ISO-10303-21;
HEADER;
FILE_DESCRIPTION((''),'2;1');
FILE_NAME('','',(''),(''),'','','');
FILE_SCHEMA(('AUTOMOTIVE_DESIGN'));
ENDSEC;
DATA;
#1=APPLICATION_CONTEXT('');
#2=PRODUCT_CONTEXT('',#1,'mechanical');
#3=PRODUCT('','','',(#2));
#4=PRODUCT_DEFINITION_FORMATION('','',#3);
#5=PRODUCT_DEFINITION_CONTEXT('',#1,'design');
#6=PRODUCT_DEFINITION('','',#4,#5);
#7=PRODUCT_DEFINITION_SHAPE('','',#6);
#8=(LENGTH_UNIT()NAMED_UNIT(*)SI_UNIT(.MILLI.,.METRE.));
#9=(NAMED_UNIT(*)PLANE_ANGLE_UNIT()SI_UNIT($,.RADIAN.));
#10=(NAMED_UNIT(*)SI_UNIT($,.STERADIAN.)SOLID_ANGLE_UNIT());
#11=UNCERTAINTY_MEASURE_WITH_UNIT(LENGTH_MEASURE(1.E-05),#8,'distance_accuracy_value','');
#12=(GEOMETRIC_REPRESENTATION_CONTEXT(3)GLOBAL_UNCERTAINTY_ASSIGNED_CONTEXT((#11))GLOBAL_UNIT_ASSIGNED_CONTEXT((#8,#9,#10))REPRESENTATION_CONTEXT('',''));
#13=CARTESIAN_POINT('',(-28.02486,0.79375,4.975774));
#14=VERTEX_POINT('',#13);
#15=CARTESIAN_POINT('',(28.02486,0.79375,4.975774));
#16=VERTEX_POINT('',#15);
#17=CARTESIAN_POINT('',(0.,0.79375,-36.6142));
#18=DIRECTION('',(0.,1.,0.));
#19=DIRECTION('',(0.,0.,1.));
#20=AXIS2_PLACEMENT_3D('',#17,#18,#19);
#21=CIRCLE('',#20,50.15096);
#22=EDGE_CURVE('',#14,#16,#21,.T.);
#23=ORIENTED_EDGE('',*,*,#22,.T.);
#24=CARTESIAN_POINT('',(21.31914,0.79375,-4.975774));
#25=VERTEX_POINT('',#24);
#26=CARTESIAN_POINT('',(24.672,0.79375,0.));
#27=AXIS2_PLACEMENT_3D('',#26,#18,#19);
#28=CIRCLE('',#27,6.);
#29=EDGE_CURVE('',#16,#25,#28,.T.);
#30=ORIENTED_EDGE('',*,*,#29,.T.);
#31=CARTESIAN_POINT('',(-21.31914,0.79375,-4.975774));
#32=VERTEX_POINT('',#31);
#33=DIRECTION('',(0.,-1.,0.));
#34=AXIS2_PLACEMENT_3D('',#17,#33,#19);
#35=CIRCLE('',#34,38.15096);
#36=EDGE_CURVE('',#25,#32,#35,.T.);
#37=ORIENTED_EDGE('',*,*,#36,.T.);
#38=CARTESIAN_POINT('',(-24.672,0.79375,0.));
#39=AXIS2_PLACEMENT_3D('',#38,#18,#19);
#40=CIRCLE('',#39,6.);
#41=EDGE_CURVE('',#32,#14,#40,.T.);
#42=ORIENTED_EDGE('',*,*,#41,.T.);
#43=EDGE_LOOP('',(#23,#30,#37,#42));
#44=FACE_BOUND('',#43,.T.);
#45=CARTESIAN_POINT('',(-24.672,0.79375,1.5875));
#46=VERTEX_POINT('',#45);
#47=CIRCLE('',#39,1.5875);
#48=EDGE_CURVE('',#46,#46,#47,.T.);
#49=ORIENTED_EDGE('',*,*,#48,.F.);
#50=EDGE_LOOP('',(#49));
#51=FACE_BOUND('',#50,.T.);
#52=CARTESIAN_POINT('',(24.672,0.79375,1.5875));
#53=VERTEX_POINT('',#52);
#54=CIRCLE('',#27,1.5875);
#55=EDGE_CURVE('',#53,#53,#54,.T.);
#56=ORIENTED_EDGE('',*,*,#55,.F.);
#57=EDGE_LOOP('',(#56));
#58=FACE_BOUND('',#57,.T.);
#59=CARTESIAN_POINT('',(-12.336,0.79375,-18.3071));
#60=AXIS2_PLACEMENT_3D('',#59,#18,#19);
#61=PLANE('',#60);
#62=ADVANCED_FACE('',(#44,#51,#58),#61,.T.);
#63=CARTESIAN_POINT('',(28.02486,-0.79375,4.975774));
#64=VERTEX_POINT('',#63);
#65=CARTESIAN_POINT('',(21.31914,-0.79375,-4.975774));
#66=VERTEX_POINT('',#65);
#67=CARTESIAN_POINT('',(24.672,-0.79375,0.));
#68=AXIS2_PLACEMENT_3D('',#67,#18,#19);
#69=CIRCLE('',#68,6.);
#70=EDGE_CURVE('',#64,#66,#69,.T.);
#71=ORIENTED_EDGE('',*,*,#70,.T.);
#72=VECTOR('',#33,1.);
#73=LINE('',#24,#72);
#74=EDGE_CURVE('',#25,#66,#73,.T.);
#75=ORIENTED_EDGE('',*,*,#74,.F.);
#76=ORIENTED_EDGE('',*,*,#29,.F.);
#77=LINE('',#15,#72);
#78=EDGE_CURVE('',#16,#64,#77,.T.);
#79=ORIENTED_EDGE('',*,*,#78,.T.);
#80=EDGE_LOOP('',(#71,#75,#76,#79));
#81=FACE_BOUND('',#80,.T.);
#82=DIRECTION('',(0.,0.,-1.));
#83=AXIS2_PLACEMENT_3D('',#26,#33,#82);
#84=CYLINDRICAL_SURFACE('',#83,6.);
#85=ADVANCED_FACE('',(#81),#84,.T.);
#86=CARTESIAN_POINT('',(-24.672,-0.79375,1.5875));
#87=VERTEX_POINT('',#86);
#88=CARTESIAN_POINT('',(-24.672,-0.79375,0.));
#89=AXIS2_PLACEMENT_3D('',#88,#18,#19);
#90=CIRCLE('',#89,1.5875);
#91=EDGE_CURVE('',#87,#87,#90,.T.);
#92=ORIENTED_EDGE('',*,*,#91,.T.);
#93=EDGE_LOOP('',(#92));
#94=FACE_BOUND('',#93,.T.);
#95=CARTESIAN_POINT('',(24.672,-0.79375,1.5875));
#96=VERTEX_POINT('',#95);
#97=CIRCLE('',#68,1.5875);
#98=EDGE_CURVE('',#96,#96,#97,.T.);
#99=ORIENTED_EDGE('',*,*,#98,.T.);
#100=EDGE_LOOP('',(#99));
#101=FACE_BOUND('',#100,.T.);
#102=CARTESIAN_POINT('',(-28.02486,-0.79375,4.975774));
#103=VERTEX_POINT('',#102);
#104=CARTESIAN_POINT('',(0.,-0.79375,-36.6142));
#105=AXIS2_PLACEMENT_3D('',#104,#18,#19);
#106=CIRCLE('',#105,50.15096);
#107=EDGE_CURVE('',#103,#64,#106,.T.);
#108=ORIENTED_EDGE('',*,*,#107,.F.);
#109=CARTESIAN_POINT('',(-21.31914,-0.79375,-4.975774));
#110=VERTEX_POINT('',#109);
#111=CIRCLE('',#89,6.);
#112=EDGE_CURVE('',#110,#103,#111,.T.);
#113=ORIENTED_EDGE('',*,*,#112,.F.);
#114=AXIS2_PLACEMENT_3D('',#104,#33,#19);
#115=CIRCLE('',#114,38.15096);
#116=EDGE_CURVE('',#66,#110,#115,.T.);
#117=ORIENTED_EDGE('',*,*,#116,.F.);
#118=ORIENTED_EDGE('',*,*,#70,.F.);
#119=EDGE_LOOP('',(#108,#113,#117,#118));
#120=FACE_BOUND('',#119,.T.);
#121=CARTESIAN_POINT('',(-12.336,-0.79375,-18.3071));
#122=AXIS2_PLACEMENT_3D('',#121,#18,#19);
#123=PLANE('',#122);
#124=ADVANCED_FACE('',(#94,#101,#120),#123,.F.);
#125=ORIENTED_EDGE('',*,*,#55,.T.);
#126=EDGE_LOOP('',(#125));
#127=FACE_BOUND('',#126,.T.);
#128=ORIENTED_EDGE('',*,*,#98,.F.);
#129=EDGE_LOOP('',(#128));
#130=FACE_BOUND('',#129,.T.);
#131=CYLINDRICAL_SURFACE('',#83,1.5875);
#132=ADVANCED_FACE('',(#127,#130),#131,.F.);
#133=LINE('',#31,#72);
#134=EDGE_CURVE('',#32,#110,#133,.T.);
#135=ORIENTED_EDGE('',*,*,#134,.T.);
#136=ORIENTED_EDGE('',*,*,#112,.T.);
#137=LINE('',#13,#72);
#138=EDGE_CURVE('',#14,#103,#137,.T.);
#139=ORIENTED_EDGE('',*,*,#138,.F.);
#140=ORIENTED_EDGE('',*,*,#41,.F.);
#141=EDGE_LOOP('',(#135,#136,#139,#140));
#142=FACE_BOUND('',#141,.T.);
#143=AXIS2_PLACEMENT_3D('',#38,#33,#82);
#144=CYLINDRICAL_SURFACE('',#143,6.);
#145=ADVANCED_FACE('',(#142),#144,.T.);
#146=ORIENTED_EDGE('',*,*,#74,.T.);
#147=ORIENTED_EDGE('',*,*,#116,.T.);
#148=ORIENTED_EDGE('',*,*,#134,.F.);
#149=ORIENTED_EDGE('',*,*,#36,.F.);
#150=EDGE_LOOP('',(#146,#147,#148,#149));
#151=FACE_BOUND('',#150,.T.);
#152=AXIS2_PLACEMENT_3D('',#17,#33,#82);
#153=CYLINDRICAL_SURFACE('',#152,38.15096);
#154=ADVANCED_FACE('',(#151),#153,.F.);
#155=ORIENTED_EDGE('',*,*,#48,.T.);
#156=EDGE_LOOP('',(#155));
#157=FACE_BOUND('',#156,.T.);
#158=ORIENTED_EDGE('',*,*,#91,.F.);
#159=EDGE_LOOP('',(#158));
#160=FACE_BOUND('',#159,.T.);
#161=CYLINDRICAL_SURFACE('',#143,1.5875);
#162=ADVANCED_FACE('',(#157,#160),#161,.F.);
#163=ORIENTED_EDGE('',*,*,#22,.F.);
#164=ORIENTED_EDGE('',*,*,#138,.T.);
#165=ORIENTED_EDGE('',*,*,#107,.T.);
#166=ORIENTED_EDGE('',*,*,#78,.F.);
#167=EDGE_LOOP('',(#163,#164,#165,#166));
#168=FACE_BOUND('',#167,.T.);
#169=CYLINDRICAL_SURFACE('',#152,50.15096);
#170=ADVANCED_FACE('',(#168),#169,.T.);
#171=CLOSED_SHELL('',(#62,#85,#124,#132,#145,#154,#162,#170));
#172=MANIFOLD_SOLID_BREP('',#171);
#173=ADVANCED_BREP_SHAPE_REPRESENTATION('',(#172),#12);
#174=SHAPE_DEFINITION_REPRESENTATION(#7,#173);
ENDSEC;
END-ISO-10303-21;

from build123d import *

# Parameters (mm, degrees)
SKETCH1_R           = 1.5875
BOSS_EXTRUDE1_DEPTH = 0.79375


with BuildPart() as part:
    # Sketch1 → Boss-Extrude1 (new, symmetric)
    with BuildSketch(Plane(origin=(0, 0, 0), x_dir=(1, 0, 0), z_dir=(0, 1, 0))):
        with BuildLine():
            ThreePointArc((-21.319139699, 4.975774091), (0, -1.536759472), (21.319139699, 4.975774091))
            ThreePointArc((21.319139699, 4.975774091), (29.647774091, 3.352860301), (28.024860301, -4.975774091))
            ThreePointArc((28.024860301, -4.975774091), (0, -13.536759472), (-28.024860301, -4.975774091))
            ThreePointArc((-28.024860301, -4.975774091), (-29.647774091, 3.352860301), (-21.319139699, 4.975774091))
        make_face()
        with Locations(Location((-24.672, 0, 0), (0, 0, 270))):
            Circle(SKETCH1_R, mode=Mode.SUBTRACT)
        with Locations(Location((24.672, 0, 0), (0, 0, 270))):
            Circle(SKETCH1_R, mode=Mode.SUBTRACT)
    extrude(amount=BOSS_EXTRUDE1_DEPTH, both=True)


solid = part.part
